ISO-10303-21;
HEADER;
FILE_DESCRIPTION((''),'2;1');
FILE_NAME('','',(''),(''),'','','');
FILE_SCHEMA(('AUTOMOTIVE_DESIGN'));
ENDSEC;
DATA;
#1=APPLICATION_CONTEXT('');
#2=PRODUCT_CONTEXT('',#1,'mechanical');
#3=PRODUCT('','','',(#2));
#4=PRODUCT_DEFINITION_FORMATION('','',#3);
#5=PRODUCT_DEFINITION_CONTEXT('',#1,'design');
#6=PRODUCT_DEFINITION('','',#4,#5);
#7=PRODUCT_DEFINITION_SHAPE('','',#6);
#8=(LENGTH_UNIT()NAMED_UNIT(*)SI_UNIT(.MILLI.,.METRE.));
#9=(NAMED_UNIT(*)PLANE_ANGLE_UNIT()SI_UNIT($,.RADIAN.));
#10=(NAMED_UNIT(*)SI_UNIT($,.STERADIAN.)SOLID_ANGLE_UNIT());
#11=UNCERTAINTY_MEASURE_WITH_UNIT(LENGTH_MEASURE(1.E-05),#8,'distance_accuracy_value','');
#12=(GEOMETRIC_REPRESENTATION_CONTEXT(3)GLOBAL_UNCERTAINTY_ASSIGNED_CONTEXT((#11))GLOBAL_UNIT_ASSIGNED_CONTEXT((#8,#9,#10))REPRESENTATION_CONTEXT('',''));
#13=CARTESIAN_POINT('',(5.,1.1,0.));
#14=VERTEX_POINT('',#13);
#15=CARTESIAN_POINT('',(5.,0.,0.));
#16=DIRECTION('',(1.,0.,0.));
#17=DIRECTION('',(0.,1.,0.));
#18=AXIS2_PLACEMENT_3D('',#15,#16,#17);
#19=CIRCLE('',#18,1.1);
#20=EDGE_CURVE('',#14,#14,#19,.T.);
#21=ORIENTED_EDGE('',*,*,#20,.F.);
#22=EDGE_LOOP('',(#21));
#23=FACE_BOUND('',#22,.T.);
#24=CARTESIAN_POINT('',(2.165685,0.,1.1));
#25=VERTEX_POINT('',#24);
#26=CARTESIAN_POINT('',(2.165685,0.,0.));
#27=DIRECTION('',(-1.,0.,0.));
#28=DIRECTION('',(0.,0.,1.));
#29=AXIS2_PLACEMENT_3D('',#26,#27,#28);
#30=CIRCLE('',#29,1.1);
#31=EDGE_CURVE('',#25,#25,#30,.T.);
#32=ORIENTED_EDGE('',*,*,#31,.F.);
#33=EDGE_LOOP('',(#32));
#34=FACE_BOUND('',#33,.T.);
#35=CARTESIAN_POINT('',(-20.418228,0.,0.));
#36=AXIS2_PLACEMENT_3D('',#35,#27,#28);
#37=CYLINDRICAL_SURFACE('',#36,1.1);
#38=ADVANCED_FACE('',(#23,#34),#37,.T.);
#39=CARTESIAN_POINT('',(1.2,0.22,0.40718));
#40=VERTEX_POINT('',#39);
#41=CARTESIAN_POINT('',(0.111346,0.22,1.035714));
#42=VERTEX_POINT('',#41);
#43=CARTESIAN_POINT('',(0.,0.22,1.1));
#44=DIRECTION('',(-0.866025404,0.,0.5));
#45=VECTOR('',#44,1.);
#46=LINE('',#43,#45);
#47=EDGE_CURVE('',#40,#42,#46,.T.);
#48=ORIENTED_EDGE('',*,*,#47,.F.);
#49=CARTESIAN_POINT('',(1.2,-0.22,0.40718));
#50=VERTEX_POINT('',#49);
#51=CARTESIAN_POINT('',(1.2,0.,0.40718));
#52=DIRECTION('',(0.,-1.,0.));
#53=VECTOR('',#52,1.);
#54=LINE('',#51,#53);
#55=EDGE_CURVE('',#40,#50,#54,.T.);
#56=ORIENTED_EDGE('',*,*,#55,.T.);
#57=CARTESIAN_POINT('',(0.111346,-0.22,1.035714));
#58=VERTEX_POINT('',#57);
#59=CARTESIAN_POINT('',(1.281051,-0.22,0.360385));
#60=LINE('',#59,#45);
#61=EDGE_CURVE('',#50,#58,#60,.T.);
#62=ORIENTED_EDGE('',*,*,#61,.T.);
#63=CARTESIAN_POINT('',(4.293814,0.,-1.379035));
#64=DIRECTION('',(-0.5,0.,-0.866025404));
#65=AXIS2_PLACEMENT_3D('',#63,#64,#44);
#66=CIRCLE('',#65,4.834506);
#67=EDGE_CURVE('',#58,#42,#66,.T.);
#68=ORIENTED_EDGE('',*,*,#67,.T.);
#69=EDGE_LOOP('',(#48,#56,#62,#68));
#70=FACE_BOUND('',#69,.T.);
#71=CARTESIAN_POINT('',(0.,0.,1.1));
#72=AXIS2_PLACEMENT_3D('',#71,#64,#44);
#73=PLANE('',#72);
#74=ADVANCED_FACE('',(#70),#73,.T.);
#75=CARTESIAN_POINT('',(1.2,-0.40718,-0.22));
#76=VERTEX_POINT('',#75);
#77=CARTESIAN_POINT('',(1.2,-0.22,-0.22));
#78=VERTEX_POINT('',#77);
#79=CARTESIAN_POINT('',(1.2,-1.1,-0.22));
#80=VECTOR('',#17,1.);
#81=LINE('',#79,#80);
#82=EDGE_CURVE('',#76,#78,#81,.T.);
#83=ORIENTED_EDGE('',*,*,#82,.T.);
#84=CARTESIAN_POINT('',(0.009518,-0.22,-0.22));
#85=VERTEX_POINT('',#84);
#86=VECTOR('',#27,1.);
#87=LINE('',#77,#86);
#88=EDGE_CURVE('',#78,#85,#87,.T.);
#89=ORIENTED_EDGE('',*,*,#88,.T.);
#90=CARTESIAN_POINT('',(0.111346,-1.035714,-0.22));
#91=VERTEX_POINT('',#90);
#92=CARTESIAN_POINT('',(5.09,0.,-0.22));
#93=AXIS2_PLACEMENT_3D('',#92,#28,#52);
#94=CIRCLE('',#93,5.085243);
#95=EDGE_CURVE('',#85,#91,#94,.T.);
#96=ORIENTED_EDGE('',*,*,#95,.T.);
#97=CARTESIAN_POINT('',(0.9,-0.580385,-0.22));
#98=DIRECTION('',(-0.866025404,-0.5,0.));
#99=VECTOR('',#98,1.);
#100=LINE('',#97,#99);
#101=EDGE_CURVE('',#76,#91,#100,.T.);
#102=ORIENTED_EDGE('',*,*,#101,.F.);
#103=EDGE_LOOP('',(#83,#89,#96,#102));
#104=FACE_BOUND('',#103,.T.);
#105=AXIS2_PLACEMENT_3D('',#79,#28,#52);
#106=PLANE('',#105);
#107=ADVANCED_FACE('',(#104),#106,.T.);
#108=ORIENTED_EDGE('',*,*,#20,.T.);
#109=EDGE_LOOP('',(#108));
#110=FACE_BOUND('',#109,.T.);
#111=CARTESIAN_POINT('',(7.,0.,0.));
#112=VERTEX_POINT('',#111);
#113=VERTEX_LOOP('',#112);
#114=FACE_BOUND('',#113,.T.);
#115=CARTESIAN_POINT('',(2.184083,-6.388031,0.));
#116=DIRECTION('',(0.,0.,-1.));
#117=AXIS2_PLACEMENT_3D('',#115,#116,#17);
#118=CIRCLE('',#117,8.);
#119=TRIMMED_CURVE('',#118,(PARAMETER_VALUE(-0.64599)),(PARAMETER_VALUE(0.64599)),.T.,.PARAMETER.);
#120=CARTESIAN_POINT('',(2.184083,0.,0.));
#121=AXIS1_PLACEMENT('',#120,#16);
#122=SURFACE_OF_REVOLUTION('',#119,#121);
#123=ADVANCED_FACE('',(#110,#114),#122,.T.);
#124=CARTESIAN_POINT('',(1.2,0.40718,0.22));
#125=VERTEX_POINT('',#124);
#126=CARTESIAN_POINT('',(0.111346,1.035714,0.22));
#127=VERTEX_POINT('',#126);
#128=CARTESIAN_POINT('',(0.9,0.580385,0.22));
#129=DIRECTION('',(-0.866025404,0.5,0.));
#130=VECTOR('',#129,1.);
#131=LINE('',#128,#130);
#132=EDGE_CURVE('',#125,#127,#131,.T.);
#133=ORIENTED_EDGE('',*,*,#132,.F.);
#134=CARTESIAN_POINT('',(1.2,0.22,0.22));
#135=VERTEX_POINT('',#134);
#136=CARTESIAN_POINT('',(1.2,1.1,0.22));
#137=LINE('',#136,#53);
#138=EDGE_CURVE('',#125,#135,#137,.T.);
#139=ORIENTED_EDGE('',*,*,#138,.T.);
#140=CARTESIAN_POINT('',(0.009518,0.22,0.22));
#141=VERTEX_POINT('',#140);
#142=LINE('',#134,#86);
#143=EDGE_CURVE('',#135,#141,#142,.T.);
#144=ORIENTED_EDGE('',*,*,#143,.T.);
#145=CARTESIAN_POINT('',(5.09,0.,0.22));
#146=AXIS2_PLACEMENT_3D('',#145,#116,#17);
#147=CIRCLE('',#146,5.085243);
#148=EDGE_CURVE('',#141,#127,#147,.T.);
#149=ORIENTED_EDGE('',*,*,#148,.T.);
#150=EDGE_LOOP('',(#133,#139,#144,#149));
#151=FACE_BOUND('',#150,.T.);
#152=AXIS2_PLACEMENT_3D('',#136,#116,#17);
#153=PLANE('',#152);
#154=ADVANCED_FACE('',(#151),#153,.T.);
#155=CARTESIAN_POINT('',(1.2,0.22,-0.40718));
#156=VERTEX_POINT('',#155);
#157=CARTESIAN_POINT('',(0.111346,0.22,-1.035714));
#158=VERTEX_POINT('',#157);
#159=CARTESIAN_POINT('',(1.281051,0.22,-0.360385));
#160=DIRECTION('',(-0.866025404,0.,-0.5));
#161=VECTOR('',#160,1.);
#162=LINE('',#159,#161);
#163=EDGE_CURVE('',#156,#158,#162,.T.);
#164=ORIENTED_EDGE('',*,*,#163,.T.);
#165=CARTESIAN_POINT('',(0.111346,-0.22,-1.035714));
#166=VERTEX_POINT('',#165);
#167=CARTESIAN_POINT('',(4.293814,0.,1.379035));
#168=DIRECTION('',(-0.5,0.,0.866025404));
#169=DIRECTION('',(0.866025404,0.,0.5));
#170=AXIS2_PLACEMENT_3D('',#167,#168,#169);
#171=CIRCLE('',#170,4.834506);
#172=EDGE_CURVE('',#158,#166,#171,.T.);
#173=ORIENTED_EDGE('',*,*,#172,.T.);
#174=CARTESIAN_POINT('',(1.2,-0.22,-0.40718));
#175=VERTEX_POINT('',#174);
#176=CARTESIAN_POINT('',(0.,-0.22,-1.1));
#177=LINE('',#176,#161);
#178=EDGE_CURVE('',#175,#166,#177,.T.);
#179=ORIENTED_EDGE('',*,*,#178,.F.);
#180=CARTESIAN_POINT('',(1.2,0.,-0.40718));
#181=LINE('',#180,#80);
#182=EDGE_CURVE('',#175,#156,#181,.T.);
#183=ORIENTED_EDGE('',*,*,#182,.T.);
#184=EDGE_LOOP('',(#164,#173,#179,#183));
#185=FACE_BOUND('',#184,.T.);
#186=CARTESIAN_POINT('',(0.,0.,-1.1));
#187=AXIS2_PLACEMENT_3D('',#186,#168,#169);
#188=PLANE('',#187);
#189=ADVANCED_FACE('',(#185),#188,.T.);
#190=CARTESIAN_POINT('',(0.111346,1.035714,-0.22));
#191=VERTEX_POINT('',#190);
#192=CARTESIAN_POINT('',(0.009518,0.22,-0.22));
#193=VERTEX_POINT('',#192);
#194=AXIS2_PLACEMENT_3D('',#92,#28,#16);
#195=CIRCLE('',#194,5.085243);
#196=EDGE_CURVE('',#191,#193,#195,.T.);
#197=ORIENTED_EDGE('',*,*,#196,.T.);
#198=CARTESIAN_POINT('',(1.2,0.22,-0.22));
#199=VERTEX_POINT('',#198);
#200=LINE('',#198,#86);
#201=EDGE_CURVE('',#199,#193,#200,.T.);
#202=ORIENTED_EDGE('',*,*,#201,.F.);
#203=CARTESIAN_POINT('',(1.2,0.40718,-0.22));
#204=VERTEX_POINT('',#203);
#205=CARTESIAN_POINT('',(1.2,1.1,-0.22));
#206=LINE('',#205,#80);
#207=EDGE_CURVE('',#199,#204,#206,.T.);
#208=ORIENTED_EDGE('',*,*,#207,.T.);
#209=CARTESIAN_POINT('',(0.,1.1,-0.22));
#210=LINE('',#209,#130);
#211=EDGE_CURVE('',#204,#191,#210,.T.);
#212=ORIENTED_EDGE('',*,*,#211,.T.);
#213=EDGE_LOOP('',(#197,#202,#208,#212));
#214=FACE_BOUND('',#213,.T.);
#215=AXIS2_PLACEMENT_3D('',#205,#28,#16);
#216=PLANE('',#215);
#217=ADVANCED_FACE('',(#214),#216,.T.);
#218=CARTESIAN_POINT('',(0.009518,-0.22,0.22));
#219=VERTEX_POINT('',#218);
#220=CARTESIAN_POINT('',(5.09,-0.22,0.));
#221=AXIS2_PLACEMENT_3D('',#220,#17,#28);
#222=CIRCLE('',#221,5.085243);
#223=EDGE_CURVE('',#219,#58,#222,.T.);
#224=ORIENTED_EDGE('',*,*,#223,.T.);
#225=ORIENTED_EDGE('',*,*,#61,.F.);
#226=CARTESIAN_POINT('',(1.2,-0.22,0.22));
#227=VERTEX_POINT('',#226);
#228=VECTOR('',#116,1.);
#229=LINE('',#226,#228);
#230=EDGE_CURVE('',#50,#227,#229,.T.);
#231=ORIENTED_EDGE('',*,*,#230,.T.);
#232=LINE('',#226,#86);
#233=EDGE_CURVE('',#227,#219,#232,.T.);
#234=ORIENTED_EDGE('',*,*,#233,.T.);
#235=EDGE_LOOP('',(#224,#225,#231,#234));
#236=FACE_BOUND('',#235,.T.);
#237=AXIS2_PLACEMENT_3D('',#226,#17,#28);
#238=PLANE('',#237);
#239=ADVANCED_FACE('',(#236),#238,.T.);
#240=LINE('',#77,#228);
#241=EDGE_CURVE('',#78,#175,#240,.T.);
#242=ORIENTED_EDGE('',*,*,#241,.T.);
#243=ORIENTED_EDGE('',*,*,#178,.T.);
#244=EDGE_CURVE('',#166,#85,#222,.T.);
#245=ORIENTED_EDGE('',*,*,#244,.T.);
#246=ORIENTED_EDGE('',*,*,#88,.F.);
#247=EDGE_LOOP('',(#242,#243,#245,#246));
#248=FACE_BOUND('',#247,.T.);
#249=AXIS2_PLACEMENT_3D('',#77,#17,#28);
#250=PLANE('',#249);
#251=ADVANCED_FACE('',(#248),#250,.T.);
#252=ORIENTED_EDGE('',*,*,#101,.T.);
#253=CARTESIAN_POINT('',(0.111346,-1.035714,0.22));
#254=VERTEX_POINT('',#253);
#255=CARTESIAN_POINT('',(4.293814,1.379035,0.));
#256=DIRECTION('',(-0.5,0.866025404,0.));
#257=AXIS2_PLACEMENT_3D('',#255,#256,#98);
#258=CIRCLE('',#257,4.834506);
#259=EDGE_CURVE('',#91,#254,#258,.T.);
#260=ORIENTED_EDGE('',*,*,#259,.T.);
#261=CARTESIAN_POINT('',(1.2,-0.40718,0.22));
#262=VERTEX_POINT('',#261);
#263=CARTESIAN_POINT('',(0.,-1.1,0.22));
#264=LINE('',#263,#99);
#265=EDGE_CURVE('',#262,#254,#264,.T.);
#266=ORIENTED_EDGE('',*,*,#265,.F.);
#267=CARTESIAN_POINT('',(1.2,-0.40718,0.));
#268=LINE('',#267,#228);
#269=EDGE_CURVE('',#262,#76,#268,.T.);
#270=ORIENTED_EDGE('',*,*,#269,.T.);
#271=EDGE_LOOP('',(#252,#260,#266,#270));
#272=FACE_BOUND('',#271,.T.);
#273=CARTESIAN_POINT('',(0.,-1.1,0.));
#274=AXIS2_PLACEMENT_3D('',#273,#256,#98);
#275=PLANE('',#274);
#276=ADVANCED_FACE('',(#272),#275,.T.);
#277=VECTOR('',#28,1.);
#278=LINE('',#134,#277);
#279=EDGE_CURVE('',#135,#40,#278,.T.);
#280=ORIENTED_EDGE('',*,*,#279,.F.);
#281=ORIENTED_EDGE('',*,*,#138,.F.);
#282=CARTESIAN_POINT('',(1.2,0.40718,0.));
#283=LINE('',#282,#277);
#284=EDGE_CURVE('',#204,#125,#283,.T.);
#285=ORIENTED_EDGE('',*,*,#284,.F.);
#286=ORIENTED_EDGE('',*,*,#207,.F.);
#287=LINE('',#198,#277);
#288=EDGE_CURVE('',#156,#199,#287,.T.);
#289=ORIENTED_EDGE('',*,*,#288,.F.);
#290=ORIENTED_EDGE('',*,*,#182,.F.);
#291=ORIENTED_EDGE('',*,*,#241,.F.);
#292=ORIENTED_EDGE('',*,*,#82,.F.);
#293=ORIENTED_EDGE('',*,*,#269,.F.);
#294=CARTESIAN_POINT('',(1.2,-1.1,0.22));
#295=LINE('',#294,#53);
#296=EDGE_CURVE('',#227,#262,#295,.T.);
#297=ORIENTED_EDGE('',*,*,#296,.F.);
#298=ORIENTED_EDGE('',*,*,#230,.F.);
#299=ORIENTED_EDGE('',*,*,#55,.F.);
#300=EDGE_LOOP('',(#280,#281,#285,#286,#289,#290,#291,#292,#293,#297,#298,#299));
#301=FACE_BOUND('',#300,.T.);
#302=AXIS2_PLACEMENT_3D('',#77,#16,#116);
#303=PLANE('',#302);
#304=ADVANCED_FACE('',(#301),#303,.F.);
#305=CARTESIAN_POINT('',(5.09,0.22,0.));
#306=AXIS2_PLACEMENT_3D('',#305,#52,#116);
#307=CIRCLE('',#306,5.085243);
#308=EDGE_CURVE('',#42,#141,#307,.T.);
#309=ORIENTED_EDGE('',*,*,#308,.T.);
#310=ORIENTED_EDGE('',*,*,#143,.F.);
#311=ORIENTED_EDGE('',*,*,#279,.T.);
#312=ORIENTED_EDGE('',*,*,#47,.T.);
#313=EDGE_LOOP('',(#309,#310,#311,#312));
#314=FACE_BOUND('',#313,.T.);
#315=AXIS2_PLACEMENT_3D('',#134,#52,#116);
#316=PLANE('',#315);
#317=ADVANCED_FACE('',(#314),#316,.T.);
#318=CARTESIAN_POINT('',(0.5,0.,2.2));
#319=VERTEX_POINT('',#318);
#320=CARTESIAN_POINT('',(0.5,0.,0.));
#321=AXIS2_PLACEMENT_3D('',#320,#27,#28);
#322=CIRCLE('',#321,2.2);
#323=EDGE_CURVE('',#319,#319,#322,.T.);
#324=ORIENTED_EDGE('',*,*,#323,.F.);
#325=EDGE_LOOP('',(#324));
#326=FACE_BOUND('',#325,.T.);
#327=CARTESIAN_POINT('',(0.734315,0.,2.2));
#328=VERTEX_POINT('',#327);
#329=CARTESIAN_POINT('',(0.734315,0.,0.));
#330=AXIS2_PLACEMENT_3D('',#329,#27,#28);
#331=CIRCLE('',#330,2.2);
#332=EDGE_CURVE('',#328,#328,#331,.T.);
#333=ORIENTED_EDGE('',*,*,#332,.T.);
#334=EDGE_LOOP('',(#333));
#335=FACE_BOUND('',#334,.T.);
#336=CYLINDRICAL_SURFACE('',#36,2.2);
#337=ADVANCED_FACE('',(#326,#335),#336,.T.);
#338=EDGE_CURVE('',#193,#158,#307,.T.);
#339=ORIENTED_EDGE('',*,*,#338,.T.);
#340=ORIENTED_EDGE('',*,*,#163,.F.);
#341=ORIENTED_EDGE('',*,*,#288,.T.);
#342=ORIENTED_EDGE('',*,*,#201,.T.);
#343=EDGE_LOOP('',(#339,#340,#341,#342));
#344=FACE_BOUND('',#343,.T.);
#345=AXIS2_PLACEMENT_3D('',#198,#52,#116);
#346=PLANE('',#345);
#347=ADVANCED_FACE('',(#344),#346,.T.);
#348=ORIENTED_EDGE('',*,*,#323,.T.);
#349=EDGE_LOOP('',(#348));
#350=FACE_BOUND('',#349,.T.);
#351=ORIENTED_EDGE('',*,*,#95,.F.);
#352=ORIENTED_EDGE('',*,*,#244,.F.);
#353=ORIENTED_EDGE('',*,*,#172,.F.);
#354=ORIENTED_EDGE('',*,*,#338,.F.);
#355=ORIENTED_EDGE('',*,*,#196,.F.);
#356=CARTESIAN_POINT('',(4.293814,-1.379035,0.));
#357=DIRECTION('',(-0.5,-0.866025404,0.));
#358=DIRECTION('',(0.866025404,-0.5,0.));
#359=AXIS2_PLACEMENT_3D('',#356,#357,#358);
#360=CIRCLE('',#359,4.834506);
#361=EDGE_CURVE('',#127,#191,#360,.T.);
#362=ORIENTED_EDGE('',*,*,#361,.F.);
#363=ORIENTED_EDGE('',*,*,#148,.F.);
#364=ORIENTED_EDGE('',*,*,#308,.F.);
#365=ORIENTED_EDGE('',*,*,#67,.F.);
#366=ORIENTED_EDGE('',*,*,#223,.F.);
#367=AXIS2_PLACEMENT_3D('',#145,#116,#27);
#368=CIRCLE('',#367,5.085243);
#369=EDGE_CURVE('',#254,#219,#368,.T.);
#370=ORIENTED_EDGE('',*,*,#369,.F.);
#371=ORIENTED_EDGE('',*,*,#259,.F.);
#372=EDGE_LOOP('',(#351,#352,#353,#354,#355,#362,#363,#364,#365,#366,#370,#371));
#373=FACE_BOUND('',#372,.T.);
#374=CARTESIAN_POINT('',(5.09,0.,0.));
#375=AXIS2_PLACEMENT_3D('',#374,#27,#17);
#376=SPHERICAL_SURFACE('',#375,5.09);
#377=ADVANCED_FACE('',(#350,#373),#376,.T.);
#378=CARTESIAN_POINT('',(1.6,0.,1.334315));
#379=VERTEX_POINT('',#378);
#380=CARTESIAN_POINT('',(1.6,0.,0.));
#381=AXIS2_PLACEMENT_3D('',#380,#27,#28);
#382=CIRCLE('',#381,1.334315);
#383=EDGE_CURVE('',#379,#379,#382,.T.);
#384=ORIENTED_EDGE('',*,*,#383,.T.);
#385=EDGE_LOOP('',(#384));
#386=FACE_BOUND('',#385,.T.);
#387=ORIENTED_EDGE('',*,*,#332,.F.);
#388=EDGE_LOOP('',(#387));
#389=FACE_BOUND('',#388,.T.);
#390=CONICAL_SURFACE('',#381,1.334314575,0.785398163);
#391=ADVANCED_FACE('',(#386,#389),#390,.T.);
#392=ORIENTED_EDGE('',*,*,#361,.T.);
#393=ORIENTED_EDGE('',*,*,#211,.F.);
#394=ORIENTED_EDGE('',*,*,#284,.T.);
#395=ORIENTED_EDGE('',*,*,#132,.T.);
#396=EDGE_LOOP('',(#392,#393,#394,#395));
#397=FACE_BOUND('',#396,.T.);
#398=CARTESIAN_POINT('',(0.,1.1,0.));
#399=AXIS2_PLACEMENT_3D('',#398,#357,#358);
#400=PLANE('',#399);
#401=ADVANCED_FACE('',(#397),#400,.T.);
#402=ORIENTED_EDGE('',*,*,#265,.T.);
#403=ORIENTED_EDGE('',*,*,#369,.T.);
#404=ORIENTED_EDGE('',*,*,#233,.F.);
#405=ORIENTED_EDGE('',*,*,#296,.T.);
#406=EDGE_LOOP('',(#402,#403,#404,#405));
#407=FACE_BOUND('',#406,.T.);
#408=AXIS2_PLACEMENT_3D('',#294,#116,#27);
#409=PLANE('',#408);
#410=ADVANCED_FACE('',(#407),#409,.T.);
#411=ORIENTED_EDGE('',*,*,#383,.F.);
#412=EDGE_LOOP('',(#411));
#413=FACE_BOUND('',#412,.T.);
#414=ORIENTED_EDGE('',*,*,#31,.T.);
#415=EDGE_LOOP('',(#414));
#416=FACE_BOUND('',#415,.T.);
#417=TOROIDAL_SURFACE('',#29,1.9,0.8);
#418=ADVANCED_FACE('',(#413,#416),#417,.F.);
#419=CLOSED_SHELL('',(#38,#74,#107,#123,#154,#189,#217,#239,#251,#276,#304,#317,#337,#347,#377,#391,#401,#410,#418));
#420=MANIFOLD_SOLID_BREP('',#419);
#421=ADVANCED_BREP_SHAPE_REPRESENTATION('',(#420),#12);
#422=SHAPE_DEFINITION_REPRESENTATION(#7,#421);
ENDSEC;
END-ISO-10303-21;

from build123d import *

# Parameters (mm, degrees)
CROSSRECESS_DEPTH = 1.2
DRAFT1_ANGLE      = -30


with BuildPart() as part:
    # Sketch1 → Base (revolve)
    with BuildSketch(Plane.XY):
        with BuildLine():
            Line((7, 0), (7, 1.1))
            Line((7, 1.1), (2.165685425, 1.1))
            ThreePointArc((2.165685425, 1.1), (1.859538679, 1.160896374), (1.6, 1.334314575))
            Line((1.6, 1.334314575), (0.734314575, 2.2))
            Line((0.734314575, 2.2), (0.5, 2.2))
            ThreePointArc((0.5, 2.2), (0.126573764, 1.128051417), (0, 0))
            Line((0, 0), (7, 0))
        make_face()
    revolve(axis=Axis((-20.418228315, 0, 0), (1, 0, 0)))

    # Sketch2 → CrossRecess (cut)
    with BuildSketch(Plane(origin=(0, 0, 0), x_dir=(0, 0, -1), z_dir=(1, 0, 0))):
        Polygon((-0.22, 1.1), (0.22, 1.1), (0.22, 0.22), (1.1, 0.22), (1.1, -0.22), (0.22, -0.22), (0.22, -1.1), (-0.22, -1.1), (-0.22, -0.22), (-1.1, -0.22), (-1.1, 0.22), (-0.22, 0.22), align=None)
    extrude(amount=CROSSRECESS_DEPTH, mode=Mode.SUBTRACT)

    # Sketch5 → Cut-Revolve6 (revolve, cut)
    with BuildSketch(Plane.XY):
        with BuildLine():
            Line((7, 0), (7.5, 0))
            Line((7.5, 0), (7.5, -1.1))
            Line((7.5, -1.1), (7, -1.1))
            Line((7, -1.1), (5, -1.1))
            ThreePointArc((5, -1.1), (6.03943286, -0.621696108), (7, 0))
        make_face()
    revolve(axis=Axis((37.040663239, 0, 0), (-1, 0, 0)), mode=Mode.SUBTRACT)

    # Draft1
    draft1_faces = [part.faces().sort_by_distance(p)[0] for p in [
        (0.660951691, -1.1, 0),
        (0.660951691, 0, -1.1),
        (0.660951691, 0, 1.1),
        (0.660951691, 1.1, 0),
    ]]
    draft(draft1_faces, Plane(origin=(0, 0, 0), x_dir=(0, 0, 1), z_dir=(1, 0, 0)), DRAFT1_ANGLE)


solid = part.part
